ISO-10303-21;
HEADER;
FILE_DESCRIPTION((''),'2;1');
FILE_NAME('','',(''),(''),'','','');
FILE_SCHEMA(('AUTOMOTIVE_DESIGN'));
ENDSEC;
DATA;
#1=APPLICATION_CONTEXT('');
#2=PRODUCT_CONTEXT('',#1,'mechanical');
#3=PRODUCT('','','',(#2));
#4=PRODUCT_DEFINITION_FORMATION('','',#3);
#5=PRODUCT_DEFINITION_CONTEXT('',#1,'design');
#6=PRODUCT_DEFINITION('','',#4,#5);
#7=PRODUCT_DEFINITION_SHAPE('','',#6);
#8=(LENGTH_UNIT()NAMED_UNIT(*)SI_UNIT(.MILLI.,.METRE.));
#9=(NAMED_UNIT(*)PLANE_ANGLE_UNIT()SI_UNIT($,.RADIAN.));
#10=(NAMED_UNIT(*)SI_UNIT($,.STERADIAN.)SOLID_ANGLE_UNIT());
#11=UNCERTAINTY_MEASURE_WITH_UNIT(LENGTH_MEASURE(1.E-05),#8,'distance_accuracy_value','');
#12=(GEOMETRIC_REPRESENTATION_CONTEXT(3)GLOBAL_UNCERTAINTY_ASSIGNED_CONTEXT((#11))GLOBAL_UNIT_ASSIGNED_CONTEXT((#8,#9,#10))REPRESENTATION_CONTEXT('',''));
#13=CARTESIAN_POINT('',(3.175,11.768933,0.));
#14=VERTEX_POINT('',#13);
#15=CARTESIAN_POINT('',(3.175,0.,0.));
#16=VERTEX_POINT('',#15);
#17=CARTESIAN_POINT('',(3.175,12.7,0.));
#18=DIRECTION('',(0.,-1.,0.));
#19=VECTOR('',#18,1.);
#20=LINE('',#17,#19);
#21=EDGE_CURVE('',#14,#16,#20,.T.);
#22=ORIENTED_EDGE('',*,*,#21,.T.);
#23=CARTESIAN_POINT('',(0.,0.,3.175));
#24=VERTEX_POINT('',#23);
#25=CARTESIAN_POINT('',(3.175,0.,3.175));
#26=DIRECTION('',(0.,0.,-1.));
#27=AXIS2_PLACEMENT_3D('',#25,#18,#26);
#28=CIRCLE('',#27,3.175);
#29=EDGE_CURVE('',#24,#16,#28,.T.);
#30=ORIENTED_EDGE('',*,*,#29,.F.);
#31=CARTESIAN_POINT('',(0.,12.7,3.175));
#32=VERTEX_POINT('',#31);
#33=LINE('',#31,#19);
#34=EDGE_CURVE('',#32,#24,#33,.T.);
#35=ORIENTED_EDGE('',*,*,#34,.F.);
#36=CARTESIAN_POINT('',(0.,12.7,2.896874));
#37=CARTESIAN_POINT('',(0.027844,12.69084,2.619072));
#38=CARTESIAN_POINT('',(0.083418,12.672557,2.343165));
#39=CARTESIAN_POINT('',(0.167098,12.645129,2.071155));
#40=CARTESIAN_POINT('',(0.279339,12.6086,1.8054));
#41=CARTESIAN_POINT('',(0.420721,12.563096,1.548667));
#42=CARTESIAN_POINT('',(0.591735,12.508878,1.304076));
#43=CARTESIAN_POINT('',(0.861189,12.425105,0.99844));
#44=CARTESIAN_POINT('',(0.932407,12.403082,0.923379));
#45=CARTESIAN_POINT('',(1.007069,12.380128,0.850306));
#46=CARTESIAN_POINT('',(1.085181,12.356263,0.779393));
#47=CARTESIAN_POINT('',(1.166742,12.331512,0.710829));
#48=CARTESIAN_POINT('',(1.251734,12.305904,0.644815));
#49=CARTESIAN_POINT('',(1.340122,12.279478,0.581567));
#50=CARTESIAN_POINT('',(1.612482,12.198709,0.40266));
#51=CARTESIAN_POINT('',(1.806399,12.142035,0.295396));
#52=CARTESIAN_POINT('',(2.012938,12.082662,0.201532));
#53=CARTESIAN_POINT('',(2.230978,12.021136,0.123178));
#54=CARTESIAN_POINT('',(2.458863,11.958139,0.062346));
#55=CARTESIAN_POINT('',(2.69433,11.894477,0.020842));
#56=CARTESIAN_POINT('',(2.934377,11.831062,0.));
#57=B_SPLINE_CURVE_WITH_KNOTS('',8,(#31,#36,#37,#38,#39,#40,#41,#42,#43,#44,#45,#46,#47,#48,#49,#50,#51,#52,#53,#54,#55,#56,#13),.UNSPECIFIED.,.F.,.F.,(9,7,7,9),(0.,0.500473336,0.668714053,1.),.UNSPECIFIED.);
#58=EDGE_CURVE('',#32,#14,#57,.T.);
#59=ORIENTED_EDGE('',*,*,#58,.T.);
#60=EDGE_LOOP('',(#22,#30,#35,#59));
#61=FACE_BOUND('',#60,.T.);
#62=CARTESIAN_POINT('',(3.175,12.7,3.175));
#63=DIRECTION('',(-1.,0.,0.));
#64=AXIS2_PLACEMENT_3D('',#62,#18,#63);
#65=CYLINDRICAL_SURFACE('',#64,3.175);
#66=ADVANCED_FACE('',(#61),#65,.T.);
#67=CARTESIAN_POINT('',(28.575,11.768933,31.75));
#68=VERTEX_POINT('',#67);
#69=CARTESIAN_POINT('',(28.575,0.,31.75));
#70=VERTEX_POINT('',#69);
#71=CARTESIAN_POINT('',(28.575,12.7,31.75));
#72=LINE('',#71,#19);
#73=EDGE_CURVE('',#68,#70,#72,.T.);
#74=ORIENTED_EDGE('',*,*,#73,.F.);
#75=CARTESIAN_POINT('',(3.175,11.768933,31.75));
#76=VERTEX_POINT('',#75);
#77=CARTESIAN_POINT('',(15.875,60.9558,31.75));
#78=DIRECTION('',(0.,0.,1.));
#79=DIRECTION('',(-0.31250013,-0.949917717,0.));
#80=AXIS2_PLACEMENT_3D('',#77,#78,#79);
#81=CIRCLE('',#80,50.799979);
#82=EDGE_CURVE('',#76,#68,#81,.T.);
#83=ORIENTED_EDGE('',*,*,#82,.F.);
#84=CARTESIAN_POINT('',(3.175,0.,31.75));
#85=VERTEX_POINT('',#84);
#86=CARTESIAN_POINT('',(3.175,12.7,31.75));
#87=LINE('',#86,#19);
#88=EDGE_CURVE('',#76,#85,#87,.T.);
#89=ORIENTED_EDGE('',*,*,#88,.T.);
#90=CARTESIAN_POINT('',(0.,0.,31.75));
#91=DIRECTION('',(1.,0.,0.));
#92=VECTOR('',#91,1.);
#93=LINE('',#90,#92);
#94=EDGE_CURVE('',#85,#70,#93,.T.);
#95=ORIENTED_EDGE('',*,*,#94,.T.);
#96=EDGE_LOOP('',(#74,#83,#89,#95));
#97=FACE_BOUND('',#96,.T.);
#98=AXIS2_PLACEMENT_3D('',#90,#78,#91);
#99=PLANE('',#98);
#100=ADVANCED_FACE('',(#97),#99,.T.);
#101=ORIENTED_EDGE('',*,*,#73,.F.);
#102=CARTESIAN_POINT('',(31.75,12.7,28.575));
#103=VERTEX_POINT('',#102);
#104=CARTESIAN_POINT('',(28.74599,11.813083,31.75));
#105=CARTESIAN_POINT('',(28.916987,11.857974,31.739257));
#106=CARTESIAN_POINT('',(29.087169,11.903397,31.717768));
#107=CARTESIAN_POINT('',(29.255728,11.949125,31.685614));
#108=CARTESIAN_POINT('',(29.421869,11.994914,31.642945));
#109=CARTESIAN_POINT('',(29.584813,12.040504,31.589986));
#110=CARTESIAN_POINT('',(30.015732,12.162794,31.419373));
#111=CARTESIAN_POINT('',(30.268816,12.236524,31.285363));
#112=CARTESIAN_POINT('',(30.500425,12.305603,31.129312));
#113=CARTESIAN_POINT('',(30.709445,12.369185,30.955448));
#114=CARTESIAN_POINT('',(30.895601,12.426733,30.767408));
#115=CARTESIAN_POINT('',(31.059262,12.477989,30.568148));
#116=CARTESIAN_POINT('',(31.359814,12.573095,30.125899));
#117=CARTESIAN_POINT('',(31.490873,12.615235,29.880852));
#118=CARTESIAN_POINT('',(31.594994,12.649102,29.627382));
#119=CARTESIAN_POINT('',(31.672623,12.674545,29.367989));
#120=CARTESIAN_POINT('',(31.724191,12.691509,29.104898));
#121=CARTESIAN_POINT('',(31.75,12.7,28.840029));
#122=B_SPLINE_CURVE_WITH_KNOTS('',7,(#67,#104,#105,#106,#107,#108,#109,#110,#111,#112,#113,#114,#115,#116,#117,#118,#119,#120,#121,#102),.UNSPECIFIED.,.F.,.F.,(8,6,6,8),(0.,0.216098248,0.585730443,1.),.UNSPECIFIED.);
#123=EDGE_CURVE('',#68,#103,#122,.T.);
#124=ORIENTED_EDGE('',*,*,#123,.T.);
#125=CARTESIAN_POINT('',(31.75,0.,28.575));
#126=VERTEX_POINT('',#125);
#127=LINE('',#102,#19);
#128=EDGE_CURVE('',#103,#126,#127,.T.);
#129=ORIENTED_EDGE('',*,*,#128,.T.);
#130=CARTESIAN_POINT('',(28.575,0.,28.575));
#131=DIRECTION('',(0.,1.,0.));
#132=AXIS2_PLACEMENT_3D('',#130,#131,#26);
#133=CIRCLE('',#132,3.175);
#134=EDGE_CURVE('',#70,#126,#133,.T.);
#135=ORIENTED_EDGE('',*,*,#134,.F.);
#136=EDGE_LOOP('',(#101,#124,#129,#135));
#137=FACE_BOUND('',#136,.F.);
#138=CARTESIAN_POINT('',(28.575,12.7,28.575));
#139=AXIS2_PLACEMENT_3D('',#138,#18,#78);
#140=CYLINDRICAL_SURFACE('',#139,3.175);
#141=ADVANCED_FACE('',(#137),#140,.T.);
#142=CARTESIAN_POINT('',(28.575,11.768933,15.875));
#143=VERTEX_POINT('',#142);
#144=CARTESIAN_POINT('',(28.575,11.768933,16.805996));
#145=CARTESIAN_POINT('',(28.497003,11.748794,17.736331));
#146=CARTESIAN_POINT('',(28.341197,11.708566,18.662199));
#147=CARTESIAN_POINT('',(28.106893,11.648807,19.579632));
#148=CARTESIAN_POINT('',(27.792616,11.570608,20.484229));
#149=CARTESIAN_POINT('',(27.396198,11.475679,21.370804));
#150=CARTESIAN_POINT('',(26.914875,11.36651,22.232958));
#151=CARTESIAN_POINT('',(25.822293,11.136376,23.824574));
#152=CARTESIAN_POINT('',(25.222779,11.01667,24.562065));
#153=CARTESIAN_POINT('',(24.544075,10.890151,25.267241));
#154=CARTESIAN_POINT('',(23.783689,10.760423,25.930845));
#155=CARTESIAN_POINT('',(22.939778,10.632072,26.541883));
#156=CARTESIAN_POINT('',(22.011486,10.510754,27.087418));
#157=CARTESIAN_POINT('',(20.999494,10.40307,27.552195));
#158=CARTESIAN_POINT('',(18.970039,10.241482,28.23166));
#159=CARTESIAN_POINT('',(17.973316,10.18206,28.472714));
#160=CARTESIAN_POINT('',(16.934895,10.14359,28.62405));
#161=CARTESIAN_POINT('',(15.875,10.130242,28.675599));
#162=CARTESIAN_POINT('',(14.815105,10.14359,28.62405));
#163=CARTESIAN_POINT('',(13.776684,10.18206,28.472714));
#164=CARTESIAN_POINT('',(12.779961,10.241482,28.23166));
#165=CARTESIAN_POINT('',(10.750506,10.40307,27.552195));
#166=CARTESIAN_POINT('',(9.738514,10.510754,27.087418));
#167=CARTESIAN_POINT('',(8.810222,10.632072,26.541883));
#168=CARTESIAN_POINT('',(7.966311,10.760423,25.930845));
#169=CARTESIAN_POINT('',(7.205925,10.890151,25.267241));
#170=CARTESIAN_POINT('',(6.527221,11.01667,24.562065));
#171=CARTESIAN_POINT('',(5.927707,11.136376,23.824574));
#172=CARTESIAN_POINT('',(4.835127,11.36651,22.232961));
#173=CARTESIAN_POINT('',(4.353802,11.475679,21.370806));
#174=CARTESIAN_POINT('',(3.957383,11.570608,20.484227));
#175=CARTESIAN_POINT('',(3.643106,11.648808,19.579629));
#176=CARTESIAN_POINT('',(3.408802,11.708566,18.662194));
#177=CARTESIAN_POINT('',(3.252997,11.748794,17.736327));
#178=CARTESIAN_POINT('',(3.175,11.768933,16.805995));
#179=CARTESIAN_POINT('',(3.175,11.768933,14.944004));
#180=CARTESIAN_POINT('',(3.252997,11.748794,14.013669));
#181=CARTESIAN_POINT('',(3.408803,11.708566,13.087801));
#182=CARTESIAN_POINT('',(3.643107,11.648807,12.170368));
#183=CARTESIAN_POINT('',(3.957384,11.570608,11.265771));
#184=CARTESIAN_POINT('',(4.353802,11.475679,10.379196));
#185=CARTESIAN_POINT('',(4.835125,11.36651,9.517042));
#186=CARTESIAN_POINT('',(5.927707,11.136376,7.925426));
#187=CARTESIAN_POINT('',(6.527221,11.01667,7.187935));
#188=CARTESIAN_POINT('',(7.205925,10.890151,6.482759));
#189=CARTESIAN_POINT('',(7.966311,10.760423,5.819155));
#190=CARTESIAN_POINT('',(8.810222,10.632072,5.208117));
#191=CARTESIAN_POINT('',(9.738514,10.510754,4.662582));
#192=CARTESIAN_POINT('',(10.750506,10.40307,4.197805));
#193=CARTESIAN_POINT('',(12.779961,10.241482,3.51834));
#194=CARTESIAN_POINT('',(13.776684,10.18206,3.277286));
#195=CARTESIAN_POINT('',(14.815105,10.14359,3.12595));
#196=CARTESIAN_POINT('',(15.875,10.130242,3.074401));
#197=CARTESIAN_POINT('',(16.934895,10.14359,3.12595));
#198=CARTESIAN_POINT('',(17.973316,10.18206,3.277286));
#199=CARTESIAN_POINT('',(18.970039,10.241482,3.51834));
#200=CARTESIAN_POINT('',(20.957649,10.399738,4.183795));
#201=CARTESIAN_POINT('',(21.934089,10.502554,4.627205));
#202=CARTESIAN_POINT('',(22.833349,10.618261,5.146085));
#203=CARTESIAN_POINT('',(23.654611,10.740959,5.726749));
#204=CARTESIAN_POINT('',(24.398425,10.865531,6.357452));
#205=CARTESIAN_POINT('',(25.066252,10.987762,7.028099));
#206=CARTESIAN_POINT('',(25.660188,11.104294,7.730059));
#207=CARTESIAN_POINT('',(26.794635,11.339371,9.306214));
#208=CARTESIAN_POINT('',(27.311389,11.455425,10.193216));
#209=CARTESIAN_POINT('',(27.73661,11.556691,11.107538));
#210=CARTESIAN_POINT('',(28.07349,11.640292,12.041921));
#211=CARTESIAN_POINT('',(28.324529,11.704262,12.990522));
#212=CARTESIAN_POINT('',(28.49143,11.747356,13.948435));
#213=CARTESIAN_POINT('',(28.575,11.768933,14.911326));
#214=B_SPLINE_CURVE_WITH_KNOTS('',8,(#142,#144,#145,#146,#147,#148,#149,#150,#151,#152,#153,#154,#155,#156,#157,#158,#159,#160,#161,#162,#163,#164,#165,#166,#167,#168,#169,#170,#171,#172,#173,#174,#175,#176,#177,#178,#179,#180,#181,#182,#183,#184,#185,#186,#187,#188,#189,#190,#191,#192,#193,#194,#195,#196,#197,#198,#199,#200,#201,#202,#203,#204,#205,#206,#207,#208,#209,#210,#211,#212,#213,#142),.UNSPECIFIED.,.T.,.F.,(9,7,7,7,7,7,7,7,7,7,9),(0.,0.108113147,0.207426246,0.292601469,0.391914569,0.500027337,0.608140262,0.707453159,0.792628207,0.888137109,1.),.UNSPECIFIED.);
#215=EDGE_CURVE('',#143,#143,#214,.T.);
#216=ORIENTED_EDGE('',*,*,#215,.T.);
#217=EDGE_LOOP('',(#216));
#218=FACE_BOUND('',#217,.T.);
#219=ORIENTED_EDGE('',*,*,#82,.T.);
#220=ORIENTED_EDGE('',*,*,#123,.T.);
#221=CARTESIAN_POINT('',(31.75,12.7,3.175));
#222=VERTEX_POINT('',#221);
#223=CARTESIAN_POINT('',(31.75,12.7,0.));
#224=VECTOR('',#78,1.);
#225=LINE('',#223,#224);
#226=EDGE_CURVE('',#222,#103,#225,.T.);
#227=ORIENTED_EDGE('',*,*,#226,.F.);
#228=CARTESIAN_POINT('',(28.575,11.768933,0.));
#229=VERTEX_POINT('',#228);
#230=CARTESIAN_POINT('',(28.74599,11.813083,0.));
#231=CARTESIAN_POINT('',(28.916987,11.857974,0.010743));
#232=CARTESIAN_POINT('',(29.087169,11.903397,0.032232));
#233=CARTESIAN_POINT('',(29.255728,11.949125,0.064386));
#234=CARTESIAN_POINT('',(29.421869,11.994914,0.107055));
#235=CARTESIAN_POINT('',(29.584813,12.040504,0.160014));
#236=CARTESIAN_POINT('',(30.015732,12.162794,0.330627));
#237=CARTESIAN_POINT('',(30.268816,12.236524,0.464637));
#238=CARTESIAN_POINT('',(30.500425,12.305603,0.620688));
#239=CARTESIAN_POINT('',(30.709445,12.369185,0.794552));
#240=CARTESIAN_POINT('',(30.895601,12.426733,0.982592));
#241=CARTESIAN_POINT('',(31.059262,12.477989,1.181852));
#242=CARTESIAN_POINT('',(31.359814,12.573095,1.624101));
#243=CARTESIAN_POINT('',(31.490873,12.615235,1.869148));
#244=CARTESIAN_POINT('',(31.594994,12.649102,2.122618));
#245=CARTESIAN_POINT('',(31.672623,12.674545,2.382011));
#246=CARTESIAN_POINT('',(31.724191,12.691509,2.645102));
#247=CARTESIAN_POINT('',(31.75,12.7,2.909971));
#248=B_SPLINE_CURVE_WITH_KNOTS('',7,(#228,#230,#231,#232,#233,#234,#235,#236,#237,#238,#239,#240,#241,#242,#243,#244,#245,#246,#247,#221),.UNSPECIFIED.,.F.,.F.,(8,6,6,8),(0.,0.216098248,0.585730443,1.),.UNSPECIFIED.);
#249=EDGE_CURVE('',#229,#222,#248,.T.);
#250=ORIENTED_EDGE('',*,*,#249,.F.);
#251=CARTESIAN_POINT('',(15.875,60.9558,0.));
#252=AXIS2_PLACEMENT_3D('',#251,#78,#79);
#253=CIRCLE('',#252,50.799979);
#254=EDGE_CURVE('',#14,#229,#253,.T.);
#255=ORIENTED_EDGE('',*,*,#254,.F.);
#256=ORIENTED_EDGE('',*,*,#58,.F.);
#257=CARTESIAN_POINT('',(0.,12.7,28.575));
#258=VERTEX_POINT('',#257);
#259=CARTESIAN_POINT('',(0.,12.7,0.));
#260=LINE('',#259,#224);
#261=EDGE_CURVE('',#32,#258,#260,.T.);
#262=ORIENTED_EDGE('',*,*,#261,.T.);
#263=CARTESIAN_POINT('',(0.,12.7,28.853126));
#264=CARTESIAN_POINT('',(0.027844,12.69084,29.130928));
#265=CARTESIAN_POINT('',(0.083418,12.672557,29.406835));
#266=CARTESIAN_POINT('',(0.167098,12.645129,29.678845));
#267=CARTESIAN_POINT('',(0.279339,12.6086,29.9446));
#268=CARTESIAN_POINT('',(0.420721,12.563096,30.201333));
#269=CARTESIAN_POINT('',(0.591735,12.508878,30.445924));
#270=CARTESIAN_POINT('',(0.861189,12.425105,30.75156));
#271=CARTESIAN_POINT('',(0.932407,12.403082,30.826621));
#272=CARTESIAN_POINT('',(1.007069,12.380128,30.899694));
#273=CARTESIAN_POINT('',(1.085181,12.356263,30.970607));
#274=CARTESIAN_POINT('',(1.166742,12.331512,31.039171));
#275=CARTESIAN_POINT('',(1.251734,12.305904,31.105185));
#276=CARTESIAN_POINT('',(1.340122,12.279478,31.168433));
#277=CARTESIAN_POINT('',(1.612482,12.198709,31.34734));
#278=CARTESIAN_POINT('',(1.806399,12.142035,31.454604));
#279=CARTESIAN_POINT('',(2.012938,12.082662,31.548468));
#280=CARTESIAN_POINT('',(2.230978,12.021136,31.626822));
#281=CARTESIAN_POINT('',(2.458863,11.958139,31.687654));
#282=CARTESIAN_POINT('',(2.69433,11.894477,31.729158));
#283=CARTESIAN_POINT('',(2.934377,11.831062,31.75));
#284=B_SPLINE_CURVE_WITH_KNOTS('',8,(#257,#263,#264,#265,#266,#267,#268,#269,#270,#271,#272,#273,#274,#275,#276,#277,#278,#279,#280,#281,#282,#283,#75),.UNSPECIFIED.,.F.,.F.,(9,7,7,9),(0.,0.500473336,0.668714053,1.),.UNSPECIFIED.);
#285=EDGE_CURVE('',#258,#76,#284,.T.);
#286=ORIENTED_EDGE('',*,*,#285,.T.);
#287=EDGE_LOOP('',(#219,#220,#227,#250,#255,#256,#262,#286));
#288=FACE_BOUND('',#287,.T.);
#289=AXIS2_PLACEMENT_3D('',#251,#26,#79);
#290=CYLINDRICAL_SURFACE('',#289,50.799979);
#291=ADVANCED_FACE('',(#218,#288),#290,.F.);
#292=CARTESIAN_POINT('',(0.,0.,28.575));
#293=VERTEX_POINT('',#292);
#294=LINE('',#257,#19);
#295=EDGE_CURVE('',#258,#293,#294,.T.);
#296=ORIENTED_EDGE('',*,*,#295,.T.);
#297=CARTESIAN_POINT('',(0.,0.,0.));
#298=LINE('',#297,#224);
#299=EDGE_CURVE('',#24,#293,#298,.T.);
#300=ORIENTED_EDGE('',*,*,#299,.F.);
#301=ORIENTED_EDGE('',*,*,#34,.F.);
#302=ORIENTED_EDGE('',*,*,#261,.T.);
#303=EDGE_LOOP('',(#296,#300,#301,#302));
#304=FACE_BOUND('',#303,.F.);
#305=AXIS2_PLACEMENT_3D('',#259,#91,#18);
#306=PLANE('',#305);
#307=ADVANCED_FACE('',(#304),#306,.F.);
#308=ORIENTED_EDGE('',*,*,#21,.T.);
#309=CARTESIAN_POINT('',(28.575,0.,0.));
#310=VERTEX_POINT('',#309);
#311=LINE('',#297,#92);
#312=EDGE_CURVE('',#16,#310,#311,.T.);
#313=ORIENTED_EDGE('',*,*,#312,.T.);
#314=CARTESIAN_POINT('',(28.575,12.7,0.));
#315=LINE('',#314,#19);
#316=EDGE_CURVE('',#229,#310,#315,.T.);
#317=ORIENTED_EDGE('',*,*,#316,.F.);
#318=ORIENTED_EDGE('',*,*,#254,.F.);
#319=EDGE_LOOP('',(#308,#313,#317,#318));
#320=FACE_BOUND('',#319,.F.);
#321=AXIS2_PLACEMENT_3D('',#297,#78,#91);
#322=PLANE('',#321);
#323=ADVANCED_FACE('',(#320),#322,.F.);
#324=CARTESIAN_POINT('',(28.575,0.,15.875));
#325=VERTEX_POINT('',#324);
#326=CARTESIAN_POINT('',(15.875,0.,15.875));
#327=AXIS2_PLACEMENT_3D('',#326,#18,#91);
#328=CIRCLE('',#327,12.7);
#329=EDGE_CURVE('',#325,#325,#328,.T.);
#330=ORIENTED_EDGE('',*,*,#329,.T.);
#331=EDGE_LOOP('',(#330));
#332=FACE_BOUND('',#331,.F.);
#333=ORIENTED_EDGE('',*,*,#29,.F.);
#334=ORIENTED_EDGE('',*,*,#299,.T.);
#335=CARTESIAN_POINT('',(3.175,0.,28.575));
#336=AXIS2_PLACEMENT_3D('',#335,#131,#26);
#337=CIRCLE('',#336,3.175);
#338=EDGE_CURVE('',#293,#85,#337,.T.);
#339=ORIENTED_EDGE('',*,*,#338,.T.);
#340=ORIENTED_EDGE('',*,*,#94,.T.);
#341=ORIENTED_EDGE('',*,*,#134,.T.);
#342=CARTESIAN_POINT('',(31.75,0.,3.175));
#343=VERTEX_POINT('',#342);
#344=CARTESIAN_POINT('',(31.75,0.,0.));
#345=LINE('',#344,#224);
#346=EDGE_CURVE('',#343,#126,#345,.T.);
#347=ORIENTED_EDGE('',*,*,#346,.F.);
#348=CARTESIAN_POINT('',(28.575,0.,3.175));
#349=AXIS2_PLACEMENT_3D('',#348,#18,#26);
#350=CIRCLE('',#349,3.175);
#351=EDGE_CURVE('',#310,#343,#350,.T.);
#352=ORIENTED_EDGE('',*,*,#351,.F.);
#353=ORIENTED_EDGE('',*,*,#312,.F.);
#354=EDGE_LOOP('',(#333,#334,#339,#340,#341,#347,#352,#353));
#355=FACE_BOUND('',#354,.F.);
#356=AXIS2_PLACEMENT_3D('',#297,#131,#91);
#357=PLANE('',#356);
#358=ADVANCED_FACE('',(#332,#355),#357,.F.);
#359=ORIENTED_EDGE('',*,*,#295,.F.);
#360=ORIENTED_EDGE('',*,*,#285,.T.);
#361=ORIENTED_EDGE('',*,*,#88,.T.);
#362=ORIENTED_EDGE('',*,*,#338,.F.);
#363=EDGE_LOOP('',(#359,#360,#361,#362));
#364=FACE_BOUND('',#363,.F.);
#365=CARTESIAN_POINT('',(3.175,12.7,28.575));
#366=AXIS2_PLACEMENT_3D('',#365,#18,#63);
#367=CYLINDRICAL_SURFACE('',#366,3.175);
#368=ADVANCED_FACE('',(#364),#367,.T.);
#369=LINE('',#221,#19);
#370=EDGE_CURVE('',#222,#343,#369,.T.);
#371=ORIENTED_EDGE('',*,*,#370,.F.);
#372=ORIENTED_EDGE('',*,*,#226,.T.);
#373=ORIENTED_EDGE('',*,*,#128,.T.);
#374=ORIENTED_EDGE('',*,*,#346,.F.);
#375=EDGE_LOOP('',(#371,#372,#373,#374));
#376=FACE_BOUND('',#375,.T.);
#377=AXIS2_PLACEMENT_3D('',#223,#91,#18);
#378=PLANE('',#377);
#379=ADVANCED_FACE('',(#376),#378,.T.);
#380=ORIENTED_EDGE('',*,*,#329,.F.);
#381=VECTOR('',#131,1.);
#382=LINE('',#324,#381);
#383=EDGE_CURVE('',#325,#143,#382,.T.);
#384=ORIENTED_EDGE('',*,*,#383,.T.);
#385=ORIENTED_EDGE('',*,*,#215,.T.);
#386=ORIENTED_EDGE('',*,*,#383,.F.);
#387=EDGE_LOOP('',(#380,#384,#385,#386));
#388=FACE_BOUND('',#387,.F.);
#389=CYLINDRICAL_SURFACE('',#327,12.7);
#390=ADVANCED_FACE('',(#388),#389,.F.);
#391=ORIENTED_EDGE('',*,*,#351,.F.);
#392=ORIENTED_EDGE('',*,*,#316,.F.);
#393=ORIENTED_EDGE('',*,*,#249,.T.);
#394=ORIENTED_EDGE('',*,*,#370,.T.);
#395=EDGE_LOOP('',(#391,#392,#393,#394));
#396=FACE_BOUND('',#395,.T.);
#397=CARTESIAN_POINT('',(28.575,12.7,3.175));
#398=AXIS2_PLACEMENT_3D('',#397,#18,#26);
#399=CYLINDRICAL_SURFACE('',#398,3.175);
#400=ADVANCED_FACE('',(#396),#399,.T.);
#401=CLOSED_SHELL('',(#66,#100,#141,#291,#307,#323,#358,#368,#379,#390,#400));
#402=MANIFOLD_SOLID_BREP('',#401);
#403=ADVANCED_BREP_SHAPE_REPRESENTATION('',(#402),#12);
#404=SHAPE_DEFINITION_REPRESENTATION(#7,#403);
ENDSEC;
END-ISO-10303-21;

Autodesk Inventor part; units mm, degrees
ref_plane "YZ Plane" through (0, 0, 0) normal (1, 0, 0) x (0, 1, 0)
ref_plane "XZ Plane" through (0, 0, 0) normal (0, 1, 0) x (-1, 0, 0)
ref_plane "XY Plane" through (0, 0, 0) normal (0, 0, 1) x (1, 0, 0)
sketch "Sketch1" plane through (0, 0, 0) normal (0, 0, 1) x (1, 0, 0)
  line L0 (0, 0) -> (31.75, 0)
  arc A0 (0, 12.7) -> (31.75, 12.7) centre (15.875, 60.9558) ccw
  line L1 (0, 12.7) -> (0, 0)
  line L2 (31.75, 12.7) -> (31.75, 0)
  dimension "d0" = 50.8
  dimension "d1" = 31.75
  dimension "d2" = 12.7
extrude "Extrusion1" add sketch "Sketch1" along normal blind 31.75
sketch "Sketch2" plane through (0, 0, 0) normal (0, -1, 0) x (1, 0, 0)
  line L0 (31.75, 0) -> (31.75, 31.75) projected
  circle A0 centre (15.875, 15.875) radius 12.7
  line L1 (0, 0) -> (31.75, 0) projected
  line L2 (15.875, 15.875) -> (0, 15.875) construction
  line L3 (0, 0) -> (0, 31.75) construction
  line L4 (15.875, 15.875) -> (31.75, 15.875) construction
  line L5 (15.875, 15.875) -> (15.875, 31.75) construction
  line L6 (15.875, 15.875) -> (15.875, 0) construction
  line L7 (0, 31.75) -> (31.75, 31.75) construction
  dimension "d5" = 25.4
extrude "Extrusion2" cut sketch "Sketch2" against normal through all
fillet "Fillet1" radius 3.175 4 edges at (31.75, 6.35, 31.75) (0, 6.35, 31.75) (31.75, 6.35, 0) (0, 6.35, 0)
properties part number "CoilHolder" material "ABS Plastic"
